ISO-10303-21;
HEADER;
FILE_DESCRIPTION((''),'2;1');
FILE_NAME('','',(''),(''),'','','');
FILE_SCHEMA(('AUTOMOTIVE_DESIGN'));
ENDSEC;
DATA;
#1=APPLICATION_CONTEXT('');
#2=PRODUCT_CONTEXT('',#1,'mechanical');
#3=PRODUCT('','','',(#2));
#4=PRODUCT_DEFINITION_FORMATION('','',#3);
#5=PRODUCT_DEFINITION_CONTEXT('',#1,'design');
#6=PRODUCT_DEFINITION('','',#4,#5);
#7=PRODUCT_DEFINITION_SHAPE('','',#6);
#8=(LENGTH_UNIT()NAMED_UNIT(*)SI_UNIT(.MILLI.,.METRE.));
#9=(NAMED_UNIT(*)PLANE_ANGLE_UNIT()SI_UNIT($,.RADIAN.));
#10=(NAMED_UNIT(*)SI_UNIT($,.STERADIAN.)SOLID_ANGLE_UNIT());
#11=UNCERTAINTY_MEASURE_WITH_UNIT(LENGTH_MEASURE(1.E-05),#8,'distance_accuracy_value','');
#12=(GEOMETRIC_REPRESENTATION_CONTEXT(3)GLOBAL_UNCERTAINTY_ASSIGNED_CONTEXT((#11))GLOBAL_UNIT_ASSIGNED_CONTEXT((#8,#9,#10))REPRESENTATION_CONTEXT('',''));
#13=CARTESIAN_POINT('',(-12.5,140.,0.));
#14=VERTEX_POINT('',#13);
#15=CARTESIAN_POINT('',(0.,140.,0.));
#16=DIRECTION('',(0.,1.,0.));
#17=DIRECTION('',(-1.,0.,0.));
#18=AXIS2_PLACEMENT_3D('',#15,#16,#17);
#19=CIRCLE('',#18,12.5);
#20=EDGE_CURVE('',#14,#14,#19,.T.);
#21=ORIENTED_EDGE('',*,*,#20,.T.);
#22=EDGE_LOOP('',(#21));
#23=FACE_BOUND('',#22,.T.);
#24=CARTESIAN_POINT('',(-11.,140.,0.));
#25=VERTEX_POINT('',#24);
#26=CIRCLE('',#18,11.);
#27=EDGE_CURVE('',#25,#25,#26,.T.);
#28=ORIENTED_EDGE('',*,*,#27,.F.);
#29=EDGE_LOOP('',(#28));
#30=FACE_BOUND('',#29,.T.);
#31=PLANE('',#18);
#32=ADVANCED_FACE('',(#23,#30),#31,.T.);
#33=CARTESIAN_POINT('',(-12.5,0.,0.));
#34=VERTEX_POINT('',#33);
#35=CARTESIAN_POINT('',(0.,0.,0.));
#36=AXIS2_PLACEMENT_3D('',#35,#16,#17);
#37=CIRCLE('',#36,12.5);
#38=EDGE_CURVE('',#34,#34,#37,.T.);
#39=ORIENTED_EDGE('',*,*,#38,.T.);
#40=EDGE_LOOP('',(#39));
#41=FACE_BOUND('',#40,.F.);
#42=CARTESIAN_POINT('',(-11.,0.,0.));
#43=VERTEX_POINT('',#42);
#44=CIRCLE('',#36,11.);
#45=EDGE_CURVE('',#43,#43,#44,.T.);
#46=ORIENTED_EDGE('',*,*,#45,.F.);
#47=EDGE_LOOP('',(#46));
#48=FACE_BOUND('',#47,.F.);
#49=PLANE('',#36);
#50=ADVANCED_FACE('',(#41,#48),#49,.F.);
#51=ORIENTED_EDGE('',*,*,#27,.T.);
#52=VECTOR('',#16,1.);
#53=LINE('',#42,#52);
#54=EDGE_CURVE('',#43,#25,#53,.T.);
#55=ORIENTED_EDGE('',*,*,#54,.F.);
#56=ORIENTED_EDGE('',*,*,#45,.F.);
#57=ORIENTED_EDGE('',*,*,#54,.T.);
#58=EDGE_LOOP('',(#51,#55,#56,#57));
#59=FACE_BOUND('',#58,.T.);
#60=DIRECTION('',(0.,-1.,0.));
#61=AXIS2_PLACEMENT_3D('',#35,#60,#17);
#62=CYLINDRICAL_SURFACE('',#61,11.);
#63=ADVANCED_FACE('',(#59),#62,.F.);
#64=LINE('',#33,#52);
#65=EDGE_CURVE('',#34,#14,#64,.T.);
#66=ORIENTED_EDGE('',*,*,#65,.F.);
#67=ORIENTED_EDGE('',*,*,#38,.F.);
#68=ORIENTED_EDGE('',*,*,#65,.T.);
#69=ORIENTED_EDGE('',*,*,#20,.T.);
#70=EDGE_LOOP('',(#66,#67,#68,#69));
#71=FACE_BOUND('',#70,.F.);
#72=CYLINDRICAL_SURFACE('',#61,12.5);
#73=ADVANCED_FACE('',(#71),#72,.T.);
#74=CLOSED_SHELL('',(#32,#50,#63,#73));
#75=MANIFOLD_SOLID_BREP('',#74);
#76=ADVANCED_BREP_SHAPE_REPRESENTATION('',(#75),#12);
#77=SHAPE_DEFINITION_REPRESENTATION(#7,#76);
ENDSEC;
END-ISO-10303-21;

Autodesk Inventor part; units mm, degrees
ref_plane "YZ Plane" through (0, 0, 0) normal (1, 0, 0) x (0, 1, 0)
ref_plane "XZ Plane" through (0, 0, 0) normal (0, 1, 0) x (-1, 0, 0)
ref_plane "XY Plane" through (0, 0, 0) normal (0, 0, 1) x (1, 0, 0)
sketch "Эскиз1" plane through (0, 0, 0) normal (0, 1, 0) x (-1, 0, 0)
  circle A0 centre (0, 0) radius 12.5
  circle A1 centre (0, 0) radius 11
  dimension "d0" = 25
  dimension "d1" = 22
extrude "Выдавливание1" add sketch "Эскиз1" along normal blind 140
properties part number "трубка"
